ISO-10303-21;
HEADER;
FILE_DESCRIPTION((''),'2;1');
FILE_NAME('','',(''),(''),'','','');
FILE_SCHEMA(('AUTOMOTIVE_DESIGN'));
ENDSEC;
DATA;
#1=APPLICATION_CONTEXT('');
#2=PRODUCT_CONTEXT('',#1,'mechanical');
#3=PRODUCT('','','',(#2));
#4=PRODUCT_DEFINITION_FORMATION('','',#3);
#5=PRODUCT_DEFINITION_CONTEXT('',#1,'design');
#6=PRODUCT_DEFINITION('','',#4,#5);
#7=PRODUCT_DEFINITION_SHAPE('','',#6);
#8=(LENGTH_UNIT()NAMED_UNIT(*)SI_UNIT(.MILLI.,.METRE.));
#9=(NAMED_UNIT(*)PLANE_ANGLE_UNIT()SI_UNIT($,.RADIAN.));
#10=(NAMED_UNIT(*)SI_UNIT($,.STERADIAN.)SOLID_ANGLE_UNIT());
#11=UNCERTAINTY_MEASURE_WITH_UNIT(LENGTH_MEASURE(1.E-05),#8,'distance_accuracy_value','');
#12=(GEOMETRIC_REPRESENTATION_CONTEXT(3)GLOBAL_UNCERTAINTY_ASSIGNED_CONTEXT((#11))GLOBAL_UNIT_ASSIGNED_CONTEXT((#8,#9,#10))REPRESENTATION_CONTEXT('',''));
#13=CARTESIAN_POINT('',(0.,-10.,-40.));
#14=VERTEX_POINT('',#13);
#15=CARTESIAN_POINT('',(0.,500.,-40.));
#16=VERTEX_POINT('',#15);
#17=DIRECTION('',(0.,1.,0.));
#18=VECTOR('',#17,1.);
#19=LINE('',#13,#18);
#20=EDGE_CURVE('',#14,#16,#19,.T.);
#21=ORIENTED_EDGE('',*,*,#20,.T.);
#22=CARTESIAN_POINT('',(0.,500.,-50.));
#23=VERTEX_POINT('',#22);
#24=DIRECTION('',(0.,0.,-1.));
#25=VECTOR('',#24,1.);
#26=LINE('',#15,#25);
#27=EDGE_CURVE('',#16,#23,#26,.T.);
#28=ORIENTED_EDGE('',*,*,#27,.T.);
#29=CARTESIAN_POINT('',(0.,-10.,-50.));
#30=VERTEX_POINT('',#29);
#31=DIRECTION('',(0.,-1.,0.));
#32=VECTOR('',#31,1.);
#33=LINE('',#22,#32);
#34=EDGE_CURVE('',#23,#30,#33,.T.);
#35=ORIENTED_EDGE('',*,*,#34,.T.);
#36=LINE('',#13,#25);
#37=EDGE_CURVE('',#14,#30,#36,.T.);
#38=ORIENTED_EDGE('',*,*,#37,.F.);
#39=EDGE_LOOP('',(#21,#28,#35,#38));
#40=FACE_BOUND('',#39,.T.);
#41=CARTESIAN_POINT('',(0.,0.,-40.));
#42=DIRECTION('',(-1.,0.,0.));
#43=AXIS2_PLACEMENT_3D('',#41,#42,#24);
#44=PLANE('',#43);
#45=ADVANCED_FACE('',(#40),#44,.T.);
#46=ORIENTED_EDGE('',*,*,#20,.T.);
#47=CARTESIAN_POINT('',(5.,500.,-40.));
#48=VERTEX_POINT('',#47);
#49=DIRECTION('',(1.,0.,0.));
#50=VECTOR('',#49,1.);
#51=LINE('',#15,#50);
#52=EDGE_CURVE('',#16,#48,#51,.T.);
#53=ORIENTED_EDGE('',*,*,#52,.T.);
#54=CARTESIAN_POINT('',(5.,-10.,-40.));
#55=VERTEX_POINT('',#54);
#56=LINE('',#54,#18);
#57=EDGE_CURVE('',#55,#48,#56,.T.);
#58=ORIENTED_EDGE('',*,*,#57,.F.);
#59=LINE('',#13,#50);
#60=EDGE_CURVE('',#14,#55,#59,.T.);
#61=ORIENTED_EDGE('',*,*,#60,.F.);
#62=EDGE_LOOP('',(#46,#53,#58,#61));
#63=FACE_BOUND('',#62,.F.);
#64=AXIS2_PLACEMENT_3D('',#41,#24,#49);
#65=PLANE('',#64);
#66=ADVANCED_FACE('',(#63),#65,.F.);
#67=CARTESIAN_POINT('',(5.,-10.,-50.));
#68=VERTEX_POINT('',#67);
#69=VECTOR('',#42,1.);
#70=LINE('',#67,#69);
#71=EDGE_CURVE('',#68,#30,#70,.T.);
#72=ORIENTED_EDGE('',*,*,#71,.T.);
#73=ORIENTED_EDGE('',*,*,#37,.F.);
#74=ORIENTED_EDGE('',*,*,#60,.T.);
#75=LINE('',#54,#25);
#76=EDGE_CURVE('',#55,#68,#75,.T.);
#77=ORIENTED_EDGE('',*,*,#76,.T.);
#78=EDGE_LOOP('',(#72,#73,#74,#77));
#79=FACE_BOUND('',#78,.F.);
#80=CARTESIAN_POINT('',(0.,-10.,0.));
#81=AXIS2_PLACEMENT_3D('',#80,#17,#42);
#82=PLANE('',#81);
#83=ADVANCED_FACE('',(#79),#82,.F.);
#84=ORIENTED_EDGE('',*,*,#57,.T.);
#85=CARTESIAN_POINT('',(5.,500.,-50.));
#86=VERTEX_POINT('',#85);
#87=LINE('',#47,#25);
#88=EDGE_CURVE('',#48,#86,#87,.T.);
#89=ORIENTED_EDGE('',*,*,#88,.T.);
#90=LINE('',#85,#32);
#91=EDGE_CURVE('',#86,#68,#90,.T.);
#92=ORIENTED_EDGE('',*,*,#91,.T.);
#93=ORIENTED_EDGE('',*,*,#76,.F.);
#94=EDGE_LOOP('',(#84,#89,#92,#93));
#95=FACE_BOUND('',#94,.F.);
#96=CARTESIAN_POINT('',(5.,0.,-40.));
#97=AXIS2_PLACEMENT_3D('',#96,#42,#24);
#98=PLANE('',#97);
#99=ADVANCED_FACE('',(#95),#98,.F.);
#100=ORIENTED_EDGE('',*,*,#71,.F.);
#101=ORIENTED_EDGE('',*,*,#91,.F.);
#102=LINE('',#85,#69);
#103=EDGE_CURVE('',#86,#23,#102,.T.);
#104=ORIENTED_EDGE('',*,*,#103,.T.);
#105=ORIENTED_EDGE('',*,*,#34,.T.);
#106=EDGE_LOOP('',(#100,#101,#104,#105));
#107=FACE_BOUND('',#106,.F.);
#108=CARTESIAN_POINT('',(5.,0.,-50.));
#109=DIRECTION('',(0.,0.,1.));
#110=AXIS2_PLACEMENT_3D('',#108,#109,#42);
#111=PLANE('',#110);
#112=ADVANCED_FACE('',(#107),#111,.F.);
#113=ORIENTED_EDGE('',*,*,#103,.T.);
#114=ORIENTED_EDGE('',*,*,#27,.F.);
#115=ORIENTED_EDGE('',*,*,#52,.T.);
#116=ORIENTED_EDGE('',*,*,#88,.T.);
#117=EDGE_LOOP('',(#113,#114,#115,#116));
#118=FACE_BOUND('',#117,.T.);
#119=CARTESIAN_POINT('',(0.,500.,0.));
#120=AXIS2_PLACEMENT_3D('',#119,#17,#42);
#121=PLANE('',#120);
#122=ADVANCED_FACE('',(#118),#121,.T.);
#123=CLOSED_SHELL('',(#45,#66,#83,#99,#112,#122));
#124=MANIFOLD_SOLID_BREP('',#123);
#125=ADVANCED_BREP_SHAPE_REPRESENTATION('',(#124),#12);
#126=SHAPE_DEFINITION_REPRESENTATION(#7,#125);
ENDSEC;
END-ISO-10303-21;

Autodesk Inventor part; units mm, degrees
ref_plane "YZ Plane" through (0, 0, 0) normal (1, 0, 0) x (0, 1, 0)
ref_plane "XZ Plane" through (0, 0, 0) normal (0, 1, 0) x (-1, 0, 0)
ref_plane "XY Plane" through (0, 0, 0) normal (0, 0, 1) x (1, 0, 0)
sketch "Sketch1" plane through (0, 0, 0) normal (0, 1, 0) x (-1, 0, 0)
  circle A0 centre (0, 0) radius 10
  line L0 (0, -10) -> (0, -40)
  line L1 (0, -40) -> (0, -50)
  line L2 (0, -40) -> (-5, -40)
  line L3 (-5, -40) -> (-5, -50)
  line L4 (-5, -50) -> (0, -50)
  dimension "d0" = 20
  dimension "d1" = 30
  dimension "d2" = 10
  dimension "d3" = 5
  dimension "d4" = 10
extrude "Extrusion1" add sketch "Sketch1" along normal blind 500 contours L1 L4 L3 L2
extrude "Extrusion2" add sketch "Sketch1" against normal blind 10 contours L1 L4 L3 L2
properties part number "spiral block"
